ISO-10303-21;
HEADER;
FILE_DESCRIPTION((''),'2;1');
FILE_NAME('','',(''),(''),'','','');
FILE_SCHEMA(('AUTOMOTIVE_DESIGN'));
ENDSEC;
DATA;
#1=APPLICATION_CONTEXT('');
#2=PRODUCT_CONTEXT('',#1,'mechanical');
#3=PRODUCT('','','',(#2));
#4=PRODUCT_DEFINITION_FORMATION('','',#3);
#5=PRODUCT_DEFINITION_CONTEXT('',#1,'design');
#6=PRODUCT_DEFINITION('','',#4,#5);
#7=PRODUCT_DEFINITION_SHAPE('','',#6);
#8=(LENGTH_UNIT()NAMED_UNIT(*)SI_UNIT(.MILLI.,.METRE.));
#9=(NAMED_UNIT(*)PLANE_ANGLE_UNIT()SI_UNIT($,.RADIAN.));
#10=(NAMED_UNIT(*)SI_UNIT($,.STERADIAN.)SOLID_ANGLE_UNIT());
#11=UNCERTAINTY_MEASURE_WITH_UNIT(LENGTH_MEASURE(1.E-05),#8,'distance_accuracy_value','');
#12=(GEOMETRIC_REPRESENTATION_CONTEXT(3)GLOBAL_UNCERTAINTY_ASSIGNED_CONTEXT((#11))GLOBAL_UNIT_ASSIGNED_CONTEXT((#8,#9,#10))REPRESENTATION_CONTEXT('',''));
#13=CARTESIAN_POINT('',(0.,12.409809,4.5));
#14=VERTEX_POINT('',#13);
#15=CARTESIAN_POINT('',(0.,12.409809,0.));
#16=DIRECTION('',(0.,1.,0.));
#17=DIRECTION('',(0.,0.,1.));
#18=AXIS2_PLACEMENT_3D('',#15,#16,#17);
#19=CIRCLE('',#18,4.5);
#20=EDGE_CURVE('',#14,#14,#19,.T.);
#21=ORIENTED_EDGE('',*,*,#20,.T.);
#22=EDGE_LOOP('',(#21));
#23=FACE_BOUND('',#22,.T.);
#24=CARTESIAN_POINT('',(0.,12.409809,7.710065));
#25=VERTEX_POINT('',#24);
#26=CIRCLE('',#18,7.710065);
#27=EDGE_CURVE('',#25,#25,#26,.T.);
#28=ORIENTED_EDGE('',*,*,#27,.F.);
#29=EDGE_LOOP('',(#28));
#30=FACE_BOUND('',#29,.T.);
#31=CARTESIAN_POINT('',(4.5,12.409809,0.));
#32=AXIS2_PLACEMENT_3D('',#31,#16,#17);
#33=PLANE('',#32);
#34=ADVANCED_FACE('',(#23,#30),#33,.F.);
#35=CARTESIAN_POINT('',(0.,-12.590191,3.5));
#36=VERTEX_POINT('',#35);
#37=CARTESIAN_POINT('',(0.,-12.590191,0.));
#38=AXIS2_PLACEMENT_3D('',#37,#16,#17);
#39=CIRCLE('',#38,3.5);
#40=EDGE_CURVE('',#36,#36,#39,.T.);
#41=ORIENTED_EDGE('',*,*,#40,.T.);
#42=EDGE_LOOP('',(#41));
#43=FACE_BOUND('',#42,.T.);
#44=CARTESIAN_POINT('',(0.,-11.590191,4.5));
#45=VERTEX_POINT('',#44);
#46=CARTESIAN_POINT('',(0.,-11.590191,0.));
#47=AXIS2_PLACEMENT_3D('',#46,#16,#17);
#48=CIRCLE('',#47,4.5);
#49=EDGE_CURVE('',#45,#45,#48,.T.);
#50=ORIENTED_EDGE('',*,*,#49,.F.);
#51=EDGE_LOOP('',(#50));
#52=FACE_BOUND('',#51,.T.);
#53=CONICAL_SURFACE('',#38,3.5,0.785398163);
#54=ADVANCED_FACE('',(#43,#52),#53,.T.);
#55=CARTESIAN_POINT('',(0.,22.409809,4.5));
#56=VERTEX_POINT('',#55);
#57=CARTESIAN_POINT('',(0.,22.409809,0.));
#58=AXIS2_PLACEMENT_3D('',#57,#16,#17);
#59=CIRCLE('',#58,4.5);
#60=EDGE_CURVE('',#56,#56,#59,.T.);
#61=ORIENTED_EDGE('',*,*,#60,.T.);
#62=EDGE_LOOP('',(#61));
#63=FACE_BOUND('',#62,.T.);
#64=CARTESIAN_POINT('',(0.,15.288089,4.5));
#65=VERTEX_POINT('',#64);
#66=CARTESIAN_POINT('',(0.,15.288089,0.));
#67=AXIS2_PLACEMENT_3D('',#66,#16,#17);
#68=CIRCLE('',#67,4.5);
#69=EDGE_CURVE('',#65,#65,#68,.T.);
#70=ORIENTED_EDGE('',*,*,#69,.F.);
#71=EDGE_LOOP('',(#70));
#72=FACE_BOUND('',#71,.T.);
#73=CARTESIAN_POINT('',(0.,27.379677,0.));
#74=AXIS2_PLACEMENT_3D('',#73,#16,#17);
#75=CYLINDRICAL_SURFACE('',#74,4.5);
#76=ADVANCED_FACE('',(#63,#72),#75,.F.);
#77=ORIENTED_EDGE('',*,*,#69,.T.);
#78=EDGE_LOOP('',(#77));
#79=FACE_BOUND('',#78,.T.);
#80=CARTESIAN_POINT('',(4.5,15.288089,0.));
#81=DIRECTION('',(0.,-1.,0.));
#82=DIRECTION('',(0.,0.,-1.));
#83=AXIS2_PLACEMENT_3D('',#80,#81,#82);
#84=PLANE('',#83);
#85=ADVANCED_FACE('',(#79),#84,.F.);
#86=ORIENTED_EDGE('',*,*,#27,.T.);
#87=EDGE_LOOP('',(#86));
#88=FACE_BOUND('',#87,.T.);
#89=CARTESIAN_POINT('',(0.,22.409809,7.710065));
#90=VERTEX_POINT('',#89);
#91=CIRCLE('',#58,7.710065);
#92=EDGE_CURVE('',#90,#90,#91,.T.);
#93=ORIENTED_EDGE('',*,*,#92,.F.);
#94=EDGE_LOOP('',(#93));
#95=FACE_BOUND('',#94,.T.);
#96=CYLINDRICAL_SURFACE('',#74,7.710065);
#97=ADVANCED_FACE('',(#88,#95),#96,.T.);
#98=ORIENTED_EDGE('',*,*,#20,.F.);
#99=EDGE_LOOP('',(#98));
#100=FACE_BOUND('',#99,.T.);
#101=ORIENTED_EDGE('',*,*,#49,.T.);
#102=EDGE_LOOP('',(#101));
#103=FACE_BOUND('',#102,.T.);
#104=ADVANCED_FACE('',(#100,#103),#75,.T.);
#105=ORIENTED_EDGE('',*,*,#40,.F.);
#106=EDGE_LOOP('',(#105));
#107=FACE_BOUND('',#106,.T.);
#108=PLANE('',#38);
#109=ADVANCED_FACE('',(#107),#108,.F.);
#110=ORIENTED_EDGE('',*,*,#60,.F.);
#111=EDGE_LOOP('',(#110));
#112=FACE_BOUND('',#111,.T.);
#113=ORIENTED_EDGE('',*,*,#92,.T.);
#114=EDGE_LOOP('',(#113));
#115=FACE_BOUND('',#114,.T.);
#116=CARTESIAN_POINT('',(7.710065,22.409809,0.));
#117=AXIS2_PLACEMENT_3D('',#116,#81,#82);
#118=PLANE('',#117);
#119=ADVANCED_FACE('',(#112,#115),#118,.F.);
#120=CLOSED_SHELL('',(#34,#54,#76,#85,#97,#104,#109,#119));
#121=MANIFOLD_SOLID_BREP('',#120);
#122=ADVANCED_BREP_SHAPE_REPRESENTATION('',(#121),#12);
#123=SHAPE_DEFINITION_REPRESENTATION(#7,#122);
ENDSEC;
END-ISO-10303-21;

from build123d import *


with BuildPart() as part:
    # Croquis1 → Revolución2 (revolve)
    with BuildSketch(Plane.XY):
        Polygon((0, 15.288089413), (0, -12.590191281), (3.5, -12.590191281), (4.5, -11.590191281), (4.5, 12.409808719), (7.710064991, 12.409808719), (7.710064991, 22.409808719), (4.5, 22.409808719), (4.5, 15.288089413), align=None)
    revolve(axis=Axis((0, 27.379677105, 0), (0, -1, 0)))


solid = part.part
